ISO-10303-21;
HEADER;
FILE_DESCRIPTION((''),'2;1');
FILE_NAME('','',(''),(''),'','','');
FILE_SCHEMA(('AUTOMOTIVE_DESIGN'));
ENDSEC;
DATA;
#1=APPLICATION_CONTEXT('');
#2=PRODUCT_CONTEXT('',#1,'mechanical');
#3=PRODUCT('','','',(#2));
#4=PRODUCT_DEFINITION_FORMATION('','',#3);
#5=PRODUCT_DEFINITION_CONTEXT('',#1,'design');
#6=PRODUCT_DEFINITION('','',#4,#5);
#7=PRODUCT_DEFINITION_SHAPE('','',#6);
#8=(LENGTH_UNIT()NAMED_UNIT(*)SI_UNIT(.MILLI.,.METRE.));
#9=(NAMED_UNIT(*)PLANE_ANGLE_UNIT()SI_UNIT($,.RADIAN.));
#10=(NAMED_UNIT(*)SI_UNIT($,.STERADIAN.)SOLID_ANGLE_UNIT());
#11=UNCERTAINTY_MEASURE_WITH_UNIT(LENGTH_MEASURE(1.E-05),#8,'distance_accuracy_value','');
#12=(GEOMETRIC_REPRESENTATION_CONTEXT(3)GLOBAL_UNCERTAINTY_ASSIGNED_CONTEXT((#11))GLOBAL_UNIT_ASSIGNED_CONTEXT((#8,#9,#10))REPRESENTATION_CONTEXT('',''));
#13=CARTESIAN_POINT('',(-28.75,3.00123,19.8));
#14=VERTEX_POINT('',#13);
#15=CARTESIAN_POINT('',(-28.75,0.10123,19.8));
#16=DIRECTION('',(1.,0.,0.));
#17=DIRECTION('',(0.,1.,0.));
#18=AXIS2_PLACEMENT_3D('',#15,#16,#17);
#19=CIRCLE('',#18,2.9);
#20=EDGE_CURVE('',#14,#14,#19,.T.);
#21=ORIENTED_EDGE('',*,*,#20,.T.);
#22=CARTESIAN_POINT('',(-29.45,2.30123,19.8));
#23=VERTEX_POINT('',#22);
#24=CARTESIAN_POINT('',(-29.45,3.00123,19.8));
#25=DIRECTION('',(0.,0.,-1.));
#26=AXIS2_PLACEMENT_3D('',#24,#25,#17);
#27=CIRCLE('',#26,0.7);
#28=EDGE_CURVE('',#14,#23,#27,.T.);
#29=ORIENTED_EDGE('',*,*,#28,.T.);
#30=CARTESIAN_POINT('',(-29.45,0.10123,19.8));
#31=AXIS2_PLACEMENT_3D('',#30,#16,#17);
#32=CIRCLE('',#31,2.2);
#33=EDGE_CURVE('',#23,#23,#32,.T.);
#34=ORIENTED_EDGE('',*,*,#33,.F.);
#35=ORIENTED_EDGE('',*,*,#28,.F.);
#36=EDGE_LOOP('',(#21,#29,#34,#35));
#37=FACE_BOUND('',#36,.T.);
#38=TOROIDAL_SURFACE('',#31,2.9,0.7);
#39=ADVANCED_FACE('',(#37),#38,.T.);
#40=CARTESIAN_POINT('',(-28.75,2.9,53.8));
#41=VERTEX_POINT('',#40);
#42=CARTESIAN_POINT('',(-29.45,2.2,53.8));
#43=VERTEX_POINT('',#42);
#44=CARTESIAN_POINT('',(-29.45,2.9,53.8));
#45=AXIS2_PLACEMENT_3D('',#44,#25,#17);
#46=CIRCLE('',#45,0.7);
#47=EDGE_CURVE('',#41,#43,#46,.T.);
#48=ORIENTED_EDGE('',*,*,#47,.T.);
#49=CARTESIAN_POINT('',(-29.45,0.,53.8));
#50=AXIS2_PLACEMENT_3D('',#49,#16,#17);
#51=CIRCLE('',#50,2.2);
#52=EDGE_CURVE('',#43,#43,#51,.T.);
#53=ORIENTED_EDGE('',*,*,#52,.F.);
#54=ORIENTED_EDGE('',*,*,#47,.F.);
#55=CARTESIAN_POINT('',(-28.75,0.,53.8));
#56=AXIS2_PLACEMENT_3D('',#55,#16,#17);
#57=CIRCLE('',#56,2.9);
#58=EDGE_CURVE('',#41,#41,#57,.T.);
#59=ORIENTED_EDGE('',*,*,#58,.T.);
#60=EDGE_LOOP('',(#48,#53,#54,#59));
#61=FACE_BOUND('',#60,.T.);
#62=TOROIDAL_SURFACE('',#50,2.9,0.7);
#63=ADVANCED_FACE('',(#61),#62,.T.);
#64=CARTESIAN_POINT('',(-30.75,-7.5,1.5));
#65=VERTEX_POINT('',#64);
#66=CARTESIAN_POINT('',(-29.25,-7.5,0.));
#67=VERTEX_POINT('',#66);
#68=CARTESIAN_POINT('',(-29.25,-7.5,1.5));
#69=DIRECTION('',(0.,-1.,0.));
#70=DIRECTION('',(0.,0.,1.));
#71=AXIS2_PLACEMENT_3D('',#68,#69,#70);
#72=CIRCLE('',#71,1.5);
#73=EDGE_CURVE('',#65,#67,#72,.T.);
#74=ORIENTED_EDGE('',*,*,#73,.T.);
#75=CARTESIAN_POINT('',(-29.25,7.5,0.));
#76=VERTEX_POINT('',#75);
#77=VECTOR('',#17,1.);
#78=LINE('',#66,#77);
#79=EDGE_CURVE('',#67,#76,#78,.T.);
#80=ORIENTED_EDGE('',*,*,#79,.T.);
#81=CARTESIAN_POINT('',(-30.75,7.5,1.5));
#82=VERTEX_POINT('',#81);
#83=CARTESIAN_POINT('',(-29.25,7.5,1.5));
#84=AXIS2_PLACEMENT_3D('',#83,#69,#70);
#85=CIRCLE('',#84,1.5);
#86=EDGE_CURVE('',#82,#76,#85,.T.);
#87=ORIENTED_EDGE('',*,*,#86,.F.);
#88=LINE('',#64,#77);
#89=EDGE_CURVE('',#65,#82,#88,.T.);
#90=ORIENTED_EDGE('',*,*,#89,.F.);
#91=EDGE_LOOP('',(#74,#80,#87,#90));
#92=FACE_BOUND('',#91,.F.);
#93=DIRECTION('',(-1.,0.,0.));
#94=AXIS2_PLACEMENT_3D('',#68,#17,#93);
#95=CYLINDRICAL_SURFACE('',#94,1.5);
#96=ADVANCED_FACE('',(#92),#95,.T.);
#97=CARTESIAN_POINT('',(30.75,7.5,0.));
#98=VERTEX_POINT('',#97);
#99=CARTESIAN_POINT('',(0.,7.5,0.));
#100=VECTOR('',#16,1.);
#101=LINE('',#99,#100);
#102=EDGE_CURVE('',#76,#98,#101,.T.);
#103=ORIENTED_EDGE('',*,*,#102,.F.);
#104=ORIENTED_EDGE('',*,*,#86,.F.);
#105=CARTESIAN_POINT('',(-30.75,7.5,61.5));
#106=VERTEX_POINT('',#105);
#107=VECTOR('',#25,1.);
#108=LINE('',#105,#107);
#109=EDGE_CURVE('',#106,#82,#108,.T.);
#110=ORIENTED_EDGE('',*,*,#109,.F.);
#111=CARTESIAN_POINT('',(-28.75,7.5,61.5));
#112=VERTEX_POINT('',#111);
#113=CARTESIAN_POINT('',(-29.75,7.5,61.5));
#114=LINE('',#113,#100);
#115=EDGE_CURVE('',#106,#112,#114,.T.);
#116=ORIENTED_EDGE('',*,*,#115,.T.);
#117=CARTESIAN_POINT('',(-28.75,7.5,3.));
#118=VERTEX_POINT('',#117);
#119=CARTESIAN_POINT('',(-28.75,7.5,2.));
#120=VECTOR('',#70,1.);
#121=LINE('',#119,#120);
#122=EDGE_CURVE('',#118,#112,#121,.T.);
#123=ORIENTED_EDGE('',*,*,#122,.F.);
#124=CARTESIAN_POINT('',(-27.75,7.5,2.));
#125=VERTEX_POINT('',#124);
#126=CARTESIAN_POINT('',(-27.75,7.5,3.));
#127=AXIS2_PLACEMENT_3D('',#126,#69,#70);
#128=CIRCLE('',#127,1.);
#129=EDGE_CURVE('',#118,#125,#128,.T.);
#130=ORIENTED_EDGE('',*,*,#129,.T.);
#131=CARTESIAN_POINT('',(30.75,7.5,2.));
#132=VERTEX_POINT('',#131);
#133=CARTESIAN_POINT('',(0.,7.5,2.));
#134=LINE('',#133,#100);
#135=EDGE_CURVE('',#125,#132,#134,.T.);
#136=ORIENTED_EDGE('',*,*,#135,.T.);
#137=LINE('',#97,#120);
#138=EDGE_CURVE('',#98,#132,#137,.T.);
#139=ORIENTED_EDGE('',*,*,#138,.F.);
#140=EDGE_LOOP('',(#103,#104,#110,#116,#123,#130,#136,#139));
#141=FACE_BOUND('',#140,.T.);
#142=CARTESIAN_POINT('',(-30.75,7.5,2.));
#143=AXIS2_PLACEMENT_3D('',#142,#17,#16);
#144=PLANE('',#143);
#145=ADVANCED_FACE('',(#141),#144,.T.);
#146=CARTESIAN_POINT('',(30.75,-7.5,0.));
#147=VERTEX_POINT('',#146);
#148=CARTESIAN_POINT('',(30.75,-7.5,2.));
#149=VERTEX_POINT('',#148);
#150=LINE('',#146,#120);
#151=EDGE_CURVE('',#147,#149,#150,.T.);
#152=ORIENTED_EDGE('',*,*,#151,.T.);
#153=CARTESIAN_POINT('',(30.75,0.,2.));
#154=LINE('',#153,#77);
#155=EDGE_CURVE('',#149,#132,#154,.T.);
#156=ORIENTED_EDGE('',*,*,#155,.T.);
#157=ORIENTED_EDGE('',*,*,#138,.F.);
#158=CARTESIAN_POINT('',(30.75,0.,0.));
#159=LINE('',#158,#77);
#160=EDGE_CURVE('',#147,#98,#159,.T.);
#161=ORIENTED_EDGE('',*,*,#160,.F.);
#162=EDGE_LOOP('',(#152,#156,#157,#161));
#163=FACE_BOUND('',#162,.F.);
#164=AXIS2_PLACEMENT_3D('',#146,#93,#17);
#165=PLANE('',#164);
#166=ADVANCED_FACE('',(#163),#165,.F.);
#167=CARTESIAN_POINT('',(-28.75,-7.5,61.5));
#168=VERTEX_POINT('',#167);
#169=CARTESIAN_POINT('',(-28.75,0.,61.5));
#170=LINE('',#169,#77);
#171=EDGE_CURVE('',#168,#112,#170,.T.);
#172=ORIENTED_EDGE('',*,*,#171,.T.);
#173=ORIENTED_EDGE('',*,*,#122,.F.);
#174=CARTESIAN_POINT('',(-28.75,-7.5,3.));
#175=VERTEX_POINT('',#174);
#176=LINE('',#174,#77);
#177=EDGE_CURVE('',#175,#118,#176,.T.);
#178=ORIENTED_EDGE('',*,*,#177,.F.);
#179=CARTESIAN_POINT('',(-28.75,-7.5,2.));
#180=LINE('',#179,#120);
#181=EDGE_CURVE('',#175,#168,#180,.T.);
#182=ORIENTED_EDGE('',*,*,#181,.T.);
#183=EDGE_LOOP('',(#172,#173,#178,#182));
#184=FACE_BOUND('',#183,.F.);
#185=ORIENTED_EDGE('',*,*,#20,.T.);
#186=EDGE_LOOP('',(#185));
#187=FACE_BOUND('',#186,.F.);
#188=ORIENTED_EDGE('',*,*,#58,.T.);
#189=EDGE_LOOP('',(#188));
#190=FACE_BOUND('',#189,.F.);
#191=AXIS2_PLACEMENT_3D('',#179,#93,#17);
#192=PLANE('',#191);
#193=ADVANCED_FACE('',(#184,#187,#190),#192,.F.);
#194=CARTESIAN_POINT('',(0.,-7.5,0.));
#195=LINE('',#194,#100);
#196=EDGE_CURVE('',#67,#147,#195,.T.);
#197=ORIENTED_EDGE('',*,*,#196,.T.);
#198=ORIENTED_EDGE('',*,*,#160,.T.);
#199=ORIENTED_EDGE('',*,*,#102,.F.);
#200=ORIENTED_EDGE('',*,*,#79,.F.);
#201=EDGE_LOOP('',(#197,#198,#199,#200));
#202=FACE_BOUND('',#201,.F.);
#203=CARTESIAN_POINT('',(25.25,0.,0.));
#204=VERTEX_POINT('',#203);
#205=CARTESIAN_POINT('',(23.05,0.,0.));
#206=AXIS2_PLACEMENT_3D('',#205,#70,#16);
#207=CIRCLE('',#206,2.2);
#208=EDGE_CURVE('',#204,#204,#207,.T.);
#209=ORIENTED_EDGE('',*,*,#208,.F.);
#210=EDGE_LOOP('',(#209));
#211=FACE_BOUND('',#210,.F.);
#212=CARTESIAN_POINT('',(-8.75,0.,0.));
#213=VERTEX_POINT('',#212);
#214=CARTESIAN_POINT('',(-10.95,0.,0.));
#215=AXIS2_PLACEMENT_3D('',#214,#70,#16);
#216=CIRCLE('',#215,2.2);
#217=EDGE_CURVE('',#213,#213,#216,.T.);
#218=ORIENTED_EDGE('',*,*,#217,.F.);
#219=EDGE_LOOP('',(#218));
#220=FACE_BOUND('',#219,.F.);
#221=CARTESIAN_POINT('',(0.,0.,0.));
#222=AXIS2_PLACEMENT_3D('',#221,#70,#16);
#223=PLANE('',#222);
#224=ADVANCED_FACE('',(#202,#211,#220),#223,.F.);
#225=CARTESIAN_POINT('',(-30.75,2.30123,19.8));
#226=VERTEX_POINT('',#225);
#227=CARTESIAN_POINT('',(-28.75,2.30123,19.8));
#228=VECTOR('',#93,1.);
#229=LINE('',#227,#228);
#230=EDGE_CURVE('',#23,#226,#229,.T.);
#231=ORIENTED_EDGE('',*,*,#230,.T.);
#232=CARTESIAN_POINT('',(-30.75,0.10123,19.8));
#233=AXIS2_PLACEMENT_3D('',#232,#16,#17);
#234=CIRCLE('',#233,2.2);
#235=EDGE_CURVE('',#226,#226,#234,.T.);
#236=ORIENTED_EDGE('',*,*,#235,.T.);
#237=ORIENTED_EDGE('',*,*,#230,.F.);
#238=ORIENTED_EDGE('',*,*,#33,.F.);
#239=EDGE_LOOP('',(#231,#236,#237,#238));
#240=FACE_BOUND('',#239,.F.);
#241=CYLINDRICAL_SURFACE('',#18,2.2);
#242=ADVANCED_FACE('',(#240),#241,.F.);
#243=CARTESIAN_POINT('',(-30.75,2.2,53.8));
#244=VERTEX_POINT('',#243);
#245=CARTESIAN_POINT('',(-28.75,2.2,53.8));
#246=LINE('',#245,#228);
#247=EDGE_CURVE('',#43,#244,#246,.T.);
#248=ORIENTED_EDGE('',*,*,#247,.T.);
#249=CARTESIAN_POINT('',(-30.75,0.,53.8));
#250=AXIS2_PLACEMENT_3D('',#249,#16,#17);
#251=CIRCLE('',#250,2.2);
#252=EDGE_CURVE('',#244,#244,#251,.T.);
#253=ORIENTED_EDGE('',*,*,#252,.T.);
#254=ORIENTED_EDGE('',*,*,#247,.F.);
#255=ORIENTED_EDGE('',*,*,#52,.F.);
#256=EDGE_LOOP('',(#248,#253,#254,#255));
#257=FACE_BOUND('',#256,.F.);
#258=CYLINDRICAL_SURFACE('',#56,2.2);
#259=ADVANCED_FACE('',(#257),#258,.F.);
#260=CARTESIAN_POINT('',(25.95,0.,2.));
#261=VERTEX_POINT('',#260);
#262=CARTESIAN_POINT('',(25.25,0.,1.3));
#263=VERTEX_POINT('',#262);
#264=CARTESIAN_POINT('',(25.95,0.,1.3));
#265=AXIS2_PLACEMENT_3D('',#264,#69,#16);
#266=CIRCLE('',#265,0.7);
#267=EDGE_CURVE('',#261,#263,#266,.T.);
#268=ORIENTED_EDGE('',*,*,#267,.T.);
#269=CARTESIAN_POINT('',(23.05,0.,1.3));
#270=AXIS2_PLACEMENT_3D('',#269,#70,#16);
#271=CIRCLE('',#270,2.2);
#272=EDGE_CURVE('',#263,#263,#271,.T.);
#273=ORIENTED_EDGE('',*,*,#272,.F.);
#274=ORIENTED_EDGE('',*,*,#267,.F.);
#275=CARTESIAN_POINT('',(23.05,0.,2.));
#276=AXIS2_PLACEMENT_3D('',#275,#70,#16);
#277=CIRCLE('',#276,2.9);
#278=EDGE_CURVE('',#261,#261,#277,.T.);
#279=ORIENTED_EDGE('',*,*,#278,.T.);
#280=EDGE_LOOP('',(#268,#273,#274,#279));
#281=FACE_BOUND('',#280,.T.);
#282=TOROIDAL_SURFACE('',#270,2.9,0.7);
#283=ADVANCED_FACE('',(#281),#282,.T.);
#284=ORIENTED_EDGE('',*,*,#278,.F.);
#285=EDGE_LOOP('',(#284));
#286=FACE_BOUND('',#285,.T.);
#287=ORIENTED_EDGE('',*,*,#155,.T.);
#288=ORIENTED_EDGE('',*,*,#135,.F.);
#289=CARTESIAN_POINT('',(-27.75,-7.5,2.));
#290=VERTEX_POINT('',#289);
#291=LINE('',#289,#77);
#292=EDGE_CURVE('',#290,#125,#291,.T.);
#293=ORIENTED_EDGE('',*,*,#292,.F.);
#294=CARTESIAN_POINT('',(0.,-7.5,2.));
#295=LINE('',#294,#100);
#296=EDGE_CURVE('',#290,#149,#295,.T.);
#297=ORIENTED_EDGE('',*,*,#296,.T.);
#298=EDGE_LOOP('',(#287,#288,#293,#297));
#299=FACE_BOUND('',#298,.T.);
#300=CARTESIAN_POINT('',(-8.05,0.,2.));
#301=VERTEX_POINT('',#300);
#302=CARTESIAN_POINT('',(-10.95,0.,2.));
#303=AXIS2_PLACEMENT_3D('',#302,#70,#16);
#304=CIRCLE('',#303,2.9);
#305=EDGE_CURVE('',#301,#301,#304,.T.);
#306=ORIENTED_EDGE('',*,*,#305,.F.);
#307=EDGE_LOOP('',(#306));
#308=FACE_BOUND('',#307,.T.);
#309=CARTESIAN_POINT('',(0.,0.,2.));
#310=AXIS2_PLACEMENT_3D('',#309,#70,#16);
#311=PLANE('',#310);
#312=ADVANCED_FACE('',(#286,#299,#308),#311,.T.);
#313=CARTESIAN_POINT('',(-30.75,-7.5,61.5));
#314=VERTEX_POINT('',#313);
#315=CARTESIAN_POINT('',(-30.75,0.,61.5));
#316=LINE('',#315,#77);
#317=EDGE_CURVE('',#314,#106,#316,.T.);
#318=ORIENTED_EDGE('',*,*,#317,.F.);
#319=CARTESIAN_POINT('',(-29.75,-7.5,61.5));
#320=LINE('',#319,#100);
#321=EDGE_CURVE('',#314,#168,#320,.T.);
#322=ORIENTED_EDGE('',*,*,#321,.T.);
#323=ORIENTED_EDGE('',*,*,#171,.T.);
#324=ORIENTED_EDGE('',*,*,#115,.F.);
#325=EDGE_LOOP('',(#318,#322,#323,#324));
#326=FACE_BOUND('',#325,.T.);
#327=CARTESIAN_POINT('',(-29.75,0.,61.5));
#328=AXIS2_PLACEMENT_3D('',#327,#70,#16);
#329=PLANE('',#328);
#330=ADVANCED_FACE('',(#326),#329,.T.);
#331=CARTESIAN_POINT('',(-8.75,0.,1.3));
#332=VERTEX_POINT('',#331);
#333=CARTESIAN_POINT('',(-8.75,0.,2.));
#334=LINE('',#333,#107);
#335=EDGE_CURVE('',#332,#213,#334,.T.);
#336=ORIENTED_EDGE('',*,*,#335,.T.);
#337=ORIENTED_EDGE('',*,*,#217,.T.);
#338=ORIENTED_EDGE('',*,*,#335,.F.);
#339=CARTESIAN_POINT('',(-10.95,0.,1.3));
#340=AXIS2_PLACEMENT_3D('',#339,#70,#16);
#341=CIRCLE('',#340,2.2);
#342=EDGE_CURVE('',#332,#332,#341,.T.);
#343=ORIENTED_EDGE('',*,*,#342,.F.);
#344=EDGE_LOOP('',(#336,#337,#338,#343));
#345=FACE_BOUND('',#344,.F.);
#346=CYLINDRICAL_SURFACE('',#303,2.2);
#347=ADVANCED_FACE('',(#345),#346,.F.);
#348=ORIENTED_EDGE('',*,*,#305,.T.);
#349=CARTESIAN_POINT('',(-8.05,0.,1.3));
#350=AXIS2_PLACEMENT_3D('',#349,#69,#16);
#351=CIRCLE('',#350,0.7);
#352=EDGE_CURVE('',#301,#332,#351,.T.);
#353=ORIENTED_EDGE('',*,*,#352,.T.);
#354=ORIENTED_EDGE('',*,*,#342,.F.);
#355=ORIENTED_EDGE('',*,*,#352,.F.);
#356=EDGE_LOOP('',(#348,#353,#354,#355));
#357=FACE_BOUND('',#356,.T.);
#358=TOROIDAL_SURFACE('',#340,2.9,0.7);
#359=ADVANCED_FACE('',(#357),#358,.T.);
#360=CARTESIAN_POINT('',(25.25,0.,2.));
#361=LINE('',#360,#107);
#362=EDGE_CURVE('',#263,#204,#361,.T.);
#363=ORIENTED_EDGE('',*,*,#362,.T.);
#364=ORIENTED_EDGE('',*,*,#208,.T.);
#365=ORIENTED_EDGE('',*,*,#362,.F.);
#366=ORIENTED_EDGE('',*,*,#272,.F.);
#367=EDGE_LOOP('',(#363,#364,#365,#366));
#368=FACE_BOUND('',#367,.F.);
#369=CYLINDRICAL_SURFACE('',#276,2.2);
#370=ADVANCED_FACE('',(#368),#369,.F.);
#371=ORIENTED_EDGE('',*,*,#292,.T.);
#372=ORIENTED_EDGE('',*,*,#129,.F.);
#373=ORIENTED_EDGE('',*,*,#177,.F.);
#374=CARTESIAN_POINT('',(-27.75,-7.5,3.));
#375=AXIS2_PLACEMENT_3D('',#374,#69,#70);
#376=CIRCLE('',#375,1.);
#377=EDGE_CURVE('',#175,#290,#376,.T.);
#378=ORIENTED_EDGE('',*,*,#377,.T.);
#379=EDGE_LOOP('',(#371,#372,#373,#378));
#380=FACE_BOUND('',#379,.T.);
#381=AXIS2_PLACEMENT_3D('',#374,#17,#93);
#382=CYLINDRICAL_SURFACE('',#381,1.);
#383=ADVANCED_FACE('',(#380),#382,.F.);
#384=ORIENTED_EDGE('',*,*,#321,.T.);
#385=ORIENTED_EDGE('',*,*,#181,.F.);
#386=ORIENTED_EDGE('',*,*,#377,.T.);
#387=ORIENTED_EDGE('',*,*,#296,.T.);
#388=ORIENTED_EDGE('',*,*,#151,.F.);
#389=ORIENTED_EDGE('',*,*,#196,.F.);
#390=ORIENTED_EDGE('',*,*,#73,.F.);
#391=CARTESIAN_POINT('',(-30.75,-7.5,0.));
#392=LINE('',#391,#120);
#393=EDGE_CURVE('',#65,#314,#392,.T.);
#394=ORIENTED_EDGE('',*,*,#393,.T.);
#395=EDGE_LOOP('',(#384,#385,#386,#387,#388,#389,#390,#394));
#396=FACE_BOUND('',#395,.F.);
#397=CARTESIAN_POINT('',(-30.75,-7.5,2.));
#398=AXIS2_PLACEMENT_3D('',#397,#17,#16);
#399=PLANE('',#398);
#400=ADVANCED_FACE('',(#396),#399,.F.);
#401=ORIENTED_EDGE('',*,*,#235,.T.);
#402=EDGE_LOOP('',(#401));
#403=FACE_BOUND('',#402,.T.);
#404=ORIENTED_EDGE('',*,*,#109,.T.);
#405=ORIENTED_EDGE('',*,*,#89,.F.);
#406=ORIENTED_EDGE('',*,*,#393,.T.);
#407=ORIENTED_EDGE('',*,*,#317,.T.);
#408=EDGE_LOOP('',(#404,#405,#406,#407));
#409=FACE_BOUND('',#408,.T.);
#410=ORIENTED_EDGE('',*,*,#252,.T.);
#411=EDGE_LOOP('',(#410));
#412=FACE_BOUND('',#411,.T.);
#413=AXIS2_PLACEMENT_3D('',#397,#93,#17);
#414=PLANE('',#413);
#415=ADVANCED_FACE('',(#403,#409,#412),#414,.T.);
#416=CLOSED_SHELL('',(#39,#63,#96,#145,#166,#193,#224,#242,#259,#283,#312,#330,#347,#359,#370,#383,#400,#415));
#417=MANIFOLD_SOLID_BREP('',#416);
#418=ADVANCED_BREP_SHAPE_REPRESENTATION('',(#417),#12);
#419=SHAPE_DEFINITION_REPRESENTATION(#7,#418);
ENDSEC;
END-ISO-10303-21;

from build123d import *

# Parameters (mm, degrees)
SKETCH_W        = 61.5
SKETCH_H        = 15
PAD_DEPTH       = 2
SKETCH001_W     = 2
SKETCH001_H     = 15
PAD001_DEPTH    = 59.5
FILLET_R        = 1.5
FILLET001_R     = 1
SKETCH002_R     = 2.2
POCKET_DEPTH    = 2.001
FILLET002_R     = 0.7
SKETCH003_R     = 2.2
POCKET001_DEPTH = 2.001
FILLET003_R     = 0.7


with BuildPart() as part:
    # Sketch → Pad (new body)
    with BuildSketch(Plane.XY):
        Rectangle(SKETCH_W, SKETCH_H)
    extrude(amount=PAD_DEPTH)

    # Sketch001 (on Face6 of Pad) → Pad001 (join)
    with BuildSketch(Plane.XY.offset(2)):
        with Locations((-29.75, 0)):
            Rectangle(SKETCH001_W, SKETCH001_H)
    extrude(amount=PAD001_DEPTH)

    # Fillet
    fillet_edges = [part.edges().sort_by_distance(p)[0] for p in [
        (-30.75, 0, 0),
    ]]
    fillet(fillet_edges, radius=FILLET_R)

    # Fillet001
    fillet001_edges = [part.edges().sort_by_distance(p)[0] for p in [
        (-28.75, 0, 2),
    ]]
    fillet(fillet001_edges, radius=FILLET001_R)

    # Sketch002 (on Face2 of Fillet001) → Pocket (cut, through all)
    with BuildSketch(Plane.XY.offset(2)):
        with Locations((23.05, 0)):
            Circle(SKETCH002_R)
        with Locations((-10.95, 0)):
            Circle(SKETCH002_R)
    extrude(amount=-POCKET_DEPTH, mode=Mode.SUBTRACT)

    # Fillet002
    fillet002_edges = [part.edges().sort_by_distance(p)[0] for p in [
        (20.85, 0, 2),
        (-13.15, 0, 2),
    ]]
    fillet(fillet002_edges, radius=FILLET002_R)

    # Sketch003 (on Face14 of Fillet002) → Pocket001 (cut, through all)
    with BuildSketch(Plane.YZ.offset(-28.75)):
        with Locations((0, 53.8)):
            Circle(SKETCH003_R)
        with Locations((0.10123, 19.8)):
            Circle(SKETCH003_R)
    extrude(amount=-POCKET001_DEPTH, mode=Mode.SUBTRACT)

    # Fillet003
    fillet003_edges = [part.edges().sort_by_distance(p)[0] for p in [
        (-28.75, -2.2, 53.8),
        (-28.75, -2.09877, 19.8),
    ]]
    fillet(fillet003_edges, radius=FILLET003_R)


solid = part.part
